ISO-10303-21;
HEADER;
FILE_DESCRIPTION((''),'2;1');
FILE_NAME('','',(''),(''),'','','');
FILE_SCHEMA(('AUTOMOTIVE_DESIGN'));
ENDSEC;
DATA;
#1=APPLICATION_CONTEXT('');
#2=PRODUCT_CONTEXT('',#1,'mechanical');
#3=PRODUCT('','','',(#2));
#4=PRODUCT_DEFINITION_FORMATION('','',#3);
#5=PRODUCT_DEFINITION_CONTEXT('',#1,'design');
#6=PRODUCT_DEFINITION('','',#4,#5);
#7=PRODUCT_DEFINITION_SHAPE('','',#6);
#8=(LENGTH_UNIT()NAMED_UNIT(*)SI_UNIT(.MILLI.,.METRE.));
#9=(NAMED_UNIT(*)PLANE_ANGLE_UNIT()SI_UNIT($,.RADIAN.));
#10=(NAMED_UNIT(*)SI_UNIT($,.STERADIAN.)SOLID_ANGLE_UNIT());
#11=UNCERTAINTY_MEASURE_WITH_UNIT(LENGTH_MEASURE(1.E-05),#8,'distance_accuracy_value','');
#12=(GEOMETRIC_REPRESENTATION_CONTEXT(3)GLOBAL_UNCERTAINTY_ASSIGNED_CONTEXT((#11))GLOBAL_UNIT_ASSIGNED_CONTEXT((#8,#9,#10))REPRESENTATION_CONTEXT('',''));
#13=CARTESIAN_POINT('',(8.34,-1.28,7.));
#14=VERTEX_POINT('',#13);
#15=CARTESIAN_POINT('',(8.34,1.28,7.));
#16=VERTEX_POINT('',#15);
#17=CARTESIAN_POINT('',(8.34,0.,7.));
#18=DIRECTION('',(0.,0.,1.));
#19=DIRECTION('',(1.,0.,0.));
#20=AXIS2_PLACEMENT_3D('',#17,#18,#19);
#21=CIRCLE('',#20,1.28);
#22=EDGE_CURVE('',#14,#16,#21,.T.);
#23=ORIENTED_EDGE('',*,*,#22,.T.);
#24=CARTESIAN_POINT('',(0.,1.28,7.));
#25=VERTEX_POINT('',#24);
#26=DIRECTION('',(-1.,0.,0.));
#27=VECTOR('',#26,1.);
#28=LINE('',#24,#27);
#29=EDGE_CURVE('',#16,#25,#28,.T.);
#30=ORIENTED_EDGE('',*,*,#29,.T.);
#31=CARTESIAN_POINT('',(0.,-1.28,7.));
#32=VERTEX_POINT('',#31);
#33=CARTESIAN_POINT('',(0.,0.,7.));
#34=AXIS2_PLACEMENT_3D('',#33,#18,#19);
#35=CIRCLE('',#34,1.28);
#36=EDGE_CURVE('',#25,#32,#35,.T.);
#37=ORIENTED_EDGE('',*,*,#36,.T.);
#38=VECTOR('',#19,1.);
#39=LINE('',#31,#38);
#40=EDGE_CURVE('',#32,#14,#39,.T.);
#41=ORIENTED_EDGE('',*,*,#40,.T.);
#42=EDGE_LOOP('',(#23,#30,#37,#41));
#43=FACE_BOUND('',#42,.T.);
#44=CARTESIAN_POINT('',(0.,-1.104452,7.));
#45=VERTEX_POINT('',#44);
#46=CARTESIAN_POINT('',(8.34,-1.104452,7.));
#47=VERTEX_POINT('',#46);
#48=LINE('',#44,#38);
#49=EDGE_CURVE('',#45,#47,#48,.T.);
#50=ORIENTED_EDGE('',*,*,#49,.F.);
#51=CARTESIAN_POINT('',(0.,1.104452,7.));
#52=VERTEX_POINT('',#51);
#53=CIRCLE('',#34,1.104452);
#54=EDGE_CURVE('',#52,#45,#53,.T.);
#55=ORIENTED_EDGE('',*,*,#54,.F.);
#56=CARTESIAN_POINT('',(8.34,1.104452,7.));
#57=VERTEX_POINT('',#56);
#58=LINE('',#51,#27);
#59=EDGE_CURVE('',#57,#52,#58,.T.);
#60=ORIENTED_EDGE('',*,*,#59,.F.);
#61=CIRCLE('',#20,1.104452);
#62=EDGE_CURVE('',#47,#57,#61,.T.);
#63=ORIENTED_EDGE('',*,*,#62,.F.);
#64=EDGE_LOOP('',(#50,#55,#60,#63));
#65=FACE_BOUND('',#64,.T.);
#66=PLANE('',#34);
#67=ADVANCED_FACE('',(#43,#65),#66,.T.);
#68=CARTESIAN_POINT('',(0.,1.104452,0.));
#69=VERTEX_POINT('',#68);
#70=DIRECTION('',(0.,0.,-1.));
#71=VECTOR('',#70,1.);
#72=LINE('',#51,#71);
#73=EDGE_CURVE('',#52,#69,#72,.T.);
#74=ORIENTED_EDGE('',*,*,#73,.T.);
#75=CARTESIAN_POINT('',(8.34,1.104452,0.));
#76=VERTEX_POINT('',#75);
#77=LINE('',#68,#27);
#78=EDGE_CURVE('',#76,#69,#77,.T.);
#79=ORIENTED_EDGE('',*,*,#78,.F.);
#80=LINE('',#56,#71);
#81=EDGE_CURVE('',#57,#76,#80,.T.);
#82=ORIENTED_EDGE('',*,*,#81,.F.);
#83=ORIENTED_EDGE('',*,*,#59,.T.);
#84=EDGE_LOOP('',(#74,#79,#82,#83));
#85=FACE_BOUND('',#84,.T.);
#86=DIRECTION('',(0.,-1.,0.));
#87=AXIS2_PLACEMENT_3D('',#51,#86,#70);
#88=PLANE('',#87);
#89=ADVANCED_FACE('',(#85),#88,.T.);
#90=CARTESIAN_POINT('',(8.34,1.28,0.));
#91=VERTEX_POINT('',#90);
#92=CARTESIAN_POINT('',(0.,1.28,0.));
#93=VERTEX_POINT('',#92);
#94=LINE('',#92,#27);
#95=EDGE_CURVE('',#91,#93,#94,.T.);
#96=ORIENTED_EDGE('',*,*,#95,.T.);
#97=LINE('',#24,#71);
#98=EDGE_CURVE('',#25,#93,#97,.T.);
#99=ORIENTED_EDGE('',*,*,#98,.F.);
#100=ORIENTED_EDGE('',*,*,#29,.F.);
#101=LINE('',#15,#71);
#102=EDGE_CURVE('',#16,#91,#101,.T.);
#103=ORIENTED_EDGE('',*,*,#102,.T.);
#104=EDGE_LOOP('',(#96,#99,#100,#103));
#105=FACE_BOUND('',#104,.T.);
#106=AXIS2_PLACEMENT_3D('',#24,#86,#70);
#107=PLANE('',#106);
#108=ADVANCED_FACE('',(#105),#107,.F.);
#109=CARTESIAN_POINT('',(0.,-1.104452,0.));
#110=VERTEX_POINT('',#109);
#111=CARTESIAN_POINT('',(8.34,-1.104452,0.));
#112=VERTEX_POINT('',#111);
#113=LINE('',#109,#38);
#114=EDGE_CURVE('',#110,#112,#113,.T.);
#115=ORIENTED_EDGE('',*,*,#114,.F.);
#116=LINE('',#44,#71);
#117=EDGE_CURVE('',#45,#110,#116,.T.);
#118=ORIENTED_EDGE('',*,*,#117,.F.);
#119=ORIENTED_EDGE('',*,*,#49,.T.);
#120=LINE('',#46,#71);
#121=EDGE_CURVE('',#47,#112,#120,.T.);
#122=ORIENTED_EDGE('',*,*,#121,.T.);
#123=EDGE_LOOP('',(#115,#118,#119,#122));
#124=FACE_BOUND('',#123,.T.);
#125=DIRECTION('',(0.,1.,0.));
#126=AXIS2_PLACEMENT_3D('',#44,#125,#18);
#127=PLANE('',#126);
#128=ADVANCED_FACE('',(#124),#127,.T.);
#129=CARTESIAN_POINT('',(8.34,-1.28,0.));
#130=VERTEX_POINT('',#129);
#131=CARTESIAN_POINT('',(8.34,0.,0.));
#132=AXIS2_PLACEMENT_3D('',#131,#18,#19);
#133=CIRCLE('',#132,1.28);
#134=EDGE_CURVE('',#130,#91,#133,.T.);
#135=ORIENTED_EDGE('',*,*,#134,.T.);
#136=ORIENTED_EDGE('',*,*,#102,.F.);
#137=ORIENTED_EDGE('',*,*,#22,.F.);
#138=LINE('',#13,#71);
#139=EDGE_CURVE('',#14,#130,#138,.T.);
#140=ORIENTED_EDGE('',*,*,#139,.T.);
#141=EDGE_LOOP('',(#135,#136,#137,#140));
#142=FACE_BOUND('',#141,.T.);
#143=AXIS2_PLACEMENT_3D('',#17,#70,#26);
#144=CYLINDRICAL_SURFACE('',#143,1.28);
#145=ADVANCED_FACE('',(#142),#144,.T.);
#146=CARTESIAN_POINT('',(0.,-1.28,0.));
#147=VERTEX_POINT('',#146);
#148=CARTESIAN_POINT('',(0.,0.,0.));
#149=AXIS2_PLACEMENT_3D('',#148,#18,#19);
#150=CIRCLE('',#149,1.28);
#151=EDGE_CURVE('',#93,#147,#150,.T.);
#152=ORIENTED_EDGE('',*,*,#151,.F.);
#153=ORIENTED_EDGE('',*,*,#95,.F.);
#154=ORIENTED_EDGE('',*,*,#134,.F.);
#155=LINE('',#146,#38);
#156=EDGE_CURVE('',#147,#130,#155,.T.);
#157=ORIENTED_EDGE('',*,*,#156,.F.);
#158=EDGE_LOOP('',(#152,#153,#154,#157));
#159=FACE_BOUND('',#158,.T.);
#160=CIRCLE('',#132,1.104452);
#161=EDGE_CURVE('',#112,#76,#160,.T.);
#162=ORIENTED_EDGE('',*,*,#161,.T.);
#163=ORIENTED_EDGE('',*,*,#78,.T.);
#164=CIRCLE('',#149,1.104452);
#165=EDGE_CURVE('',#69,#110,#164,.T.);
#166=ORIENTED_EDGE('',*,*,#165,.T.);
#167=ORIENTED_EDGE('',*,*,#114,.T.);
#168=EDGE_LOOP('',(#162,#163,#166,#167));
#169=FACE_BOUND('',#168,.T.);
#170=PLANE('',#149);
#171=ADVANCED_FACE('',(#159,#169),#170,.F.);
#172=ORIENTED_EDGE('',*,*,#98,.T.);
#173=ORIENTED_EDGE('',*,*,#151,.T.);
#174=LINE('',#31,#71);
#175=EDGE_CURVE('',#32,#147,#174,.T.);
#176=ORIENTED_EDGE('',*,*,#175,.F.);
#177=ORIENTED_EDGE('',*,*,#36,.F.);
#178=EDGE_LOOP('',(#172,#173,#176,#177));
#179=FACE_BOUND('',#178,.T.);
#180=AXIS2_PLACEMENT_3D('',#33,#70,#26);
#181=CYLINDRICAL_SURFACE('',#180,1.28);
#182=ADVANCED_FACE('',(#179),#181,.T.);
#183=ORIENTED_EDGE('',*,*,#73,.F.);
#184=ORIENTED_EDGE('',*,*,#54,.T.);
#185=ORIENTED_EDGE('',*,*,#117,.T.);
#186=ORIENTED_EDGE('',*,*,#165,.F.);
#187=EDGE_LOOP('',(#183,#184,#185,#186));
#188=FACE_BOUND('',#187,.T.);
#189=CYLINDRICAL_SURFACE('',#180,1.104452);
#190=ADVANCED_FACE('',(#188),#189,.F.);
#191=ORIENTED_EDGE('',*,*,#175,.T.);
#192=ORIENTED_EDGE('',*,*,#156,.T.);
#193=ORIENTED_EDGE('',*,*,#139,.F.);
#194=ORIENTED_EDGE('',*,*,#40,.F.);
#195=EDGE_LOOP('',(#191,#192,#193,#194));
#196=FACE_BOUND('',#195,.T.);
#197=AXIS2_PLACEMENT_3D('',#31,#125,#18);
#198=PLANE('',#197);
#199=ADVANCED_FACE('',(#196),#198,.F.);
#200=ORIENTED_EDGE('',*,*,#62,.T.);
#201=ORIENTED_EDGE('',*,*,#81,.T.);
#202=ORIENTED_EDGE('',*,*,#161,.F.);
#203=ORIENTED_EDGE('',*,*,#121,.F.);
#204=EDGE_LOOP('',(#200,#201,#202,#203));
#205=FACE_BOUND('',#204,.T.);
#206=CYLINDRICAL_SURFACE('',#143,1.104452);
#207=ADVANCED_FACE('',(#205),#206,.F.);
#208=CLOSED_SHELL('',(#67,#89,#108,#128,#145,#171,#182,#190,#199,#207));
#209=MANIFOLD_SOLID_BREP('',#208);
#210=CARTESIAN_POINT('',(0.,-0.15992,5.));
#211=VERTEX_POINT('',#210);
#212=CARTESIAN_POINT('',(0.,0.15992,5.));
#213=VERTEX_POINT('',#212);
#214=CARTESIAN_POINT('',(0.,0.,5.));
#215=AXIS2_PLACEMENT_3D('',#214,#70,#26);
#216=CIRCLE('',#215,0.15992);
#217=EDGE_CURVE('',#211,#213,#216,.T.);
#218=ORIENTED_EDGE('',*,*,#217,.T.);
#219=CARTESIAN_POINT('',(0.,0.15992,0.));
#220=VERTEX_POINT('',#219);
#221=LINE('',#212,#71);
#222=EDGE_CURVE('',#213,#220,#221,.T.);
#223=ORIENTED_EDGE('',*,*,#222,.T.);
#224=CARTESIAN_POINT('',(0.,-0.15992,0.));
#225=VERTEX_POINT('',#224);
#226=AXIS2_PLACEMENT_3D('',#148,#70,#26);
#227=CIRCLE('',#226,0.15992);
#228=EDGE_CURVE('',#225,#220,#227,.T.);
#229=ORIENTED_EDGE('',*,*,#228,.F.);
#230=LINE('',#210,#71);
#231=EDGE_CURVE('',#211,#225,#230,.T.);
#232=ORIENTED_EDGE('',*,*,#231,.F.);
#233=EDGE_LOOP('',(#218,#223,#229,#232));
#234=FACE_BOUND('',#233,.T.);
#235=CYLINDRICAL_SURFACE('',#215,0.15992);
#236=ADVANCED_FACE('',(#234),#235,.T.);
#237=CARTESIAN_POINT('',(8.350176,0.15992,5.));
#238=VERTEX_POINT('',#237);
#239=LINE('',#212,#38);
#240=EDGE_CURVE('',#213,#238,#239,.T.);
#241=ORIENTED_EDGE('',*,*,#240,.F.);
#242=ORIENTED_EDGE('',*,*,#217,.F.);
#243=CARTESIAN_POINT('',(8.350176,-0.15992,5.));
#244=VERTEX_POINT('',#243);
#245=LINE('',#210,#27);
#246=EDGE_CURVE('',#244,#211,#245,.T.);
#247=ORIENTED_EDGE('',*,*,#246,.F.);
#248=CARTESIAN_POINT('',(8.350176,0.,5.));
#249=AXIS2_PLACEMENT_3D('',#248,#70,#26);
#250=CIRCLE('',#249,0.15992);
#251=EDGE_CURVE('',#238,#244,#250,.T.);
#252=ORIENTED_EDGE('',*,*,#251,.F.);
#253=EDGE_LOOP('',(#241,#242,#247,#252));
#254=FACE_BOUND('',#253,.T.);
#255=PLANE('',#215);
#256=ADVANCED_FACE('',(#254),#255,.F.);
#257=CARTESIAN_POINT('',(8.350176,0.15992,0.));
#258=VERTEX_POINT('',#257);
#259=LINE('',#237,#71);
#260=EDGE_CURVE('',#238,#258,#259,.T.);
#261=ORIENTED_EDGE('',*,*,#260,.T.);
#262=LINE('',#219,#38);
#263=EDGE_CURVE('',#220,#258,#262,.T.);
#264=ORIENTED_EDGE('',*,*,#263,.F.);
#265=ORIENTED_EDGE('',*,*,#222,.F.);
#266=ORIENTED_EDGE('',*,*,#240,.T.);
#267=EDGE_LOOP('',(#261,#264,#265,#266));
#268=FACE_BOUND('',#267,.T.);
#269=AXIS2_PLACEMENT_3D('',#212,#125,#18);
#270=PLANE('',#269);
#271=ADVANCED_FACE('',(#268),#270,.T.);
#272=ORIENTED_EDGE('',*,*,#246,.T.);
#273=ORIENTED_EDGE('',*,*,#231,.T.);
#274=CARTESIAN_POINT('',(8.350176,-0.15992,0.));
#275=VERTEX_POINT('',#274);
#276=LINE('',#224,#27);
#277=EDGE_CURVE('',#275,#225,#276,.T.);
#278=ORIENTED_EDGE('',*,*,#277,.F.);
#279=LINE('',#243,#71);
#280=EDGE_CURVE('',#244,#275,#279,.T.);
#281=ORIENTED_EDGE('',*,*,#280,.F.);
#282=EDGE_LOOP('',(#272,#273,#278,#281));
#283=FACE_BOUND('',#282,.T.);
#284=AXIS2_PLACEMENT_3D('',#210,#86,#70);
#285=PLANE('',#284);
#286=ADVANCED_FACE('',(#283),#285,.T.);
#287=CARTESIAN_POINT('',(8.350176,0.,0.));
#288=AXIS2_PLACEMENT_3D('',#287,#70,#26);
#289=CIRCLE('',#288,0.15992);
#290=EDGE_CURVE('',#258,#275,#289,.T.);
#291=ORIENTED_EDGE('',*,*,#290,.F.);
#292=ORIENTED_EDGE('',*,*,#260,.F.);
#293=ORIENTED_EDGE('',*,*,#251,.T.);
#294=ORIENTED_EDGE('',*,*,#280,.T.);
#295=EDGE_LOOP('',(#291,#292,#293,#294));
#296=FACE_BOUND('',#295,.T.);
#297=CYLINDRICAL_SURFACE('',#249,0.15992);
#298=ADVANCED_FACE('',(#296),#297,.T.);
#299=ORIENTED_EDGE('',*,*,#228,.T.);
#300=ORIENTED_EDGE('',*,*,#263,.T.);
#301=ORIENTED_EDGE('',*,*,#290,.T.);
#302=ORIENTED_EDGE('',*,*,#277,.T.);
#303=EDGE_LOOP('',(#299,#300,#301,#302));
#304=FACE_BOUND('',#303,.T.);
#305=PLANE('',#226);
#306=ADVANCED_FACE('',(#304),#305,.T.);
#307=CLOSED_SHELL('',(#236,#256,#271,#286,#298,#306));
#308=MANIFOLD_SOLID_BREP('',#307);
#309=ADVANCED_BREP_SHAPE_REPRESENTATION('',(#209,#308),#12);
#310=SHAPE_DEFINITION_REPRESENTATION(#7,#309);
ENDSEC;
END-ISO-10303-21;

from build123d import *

# Parameters (mm, degrees)
BOSS_EXTRUDE1_DEPTH = 7
BOSS_EXTRUDE3_DEPTH = 5


with BuildPart() as part:
    # Sketch1 → Boss-Extrude1 (new body)
    with BuildSketch(Plane.XY):
        with BuildLine():
            Line((0, 1.28), (8.34, 1.28))
            ThreePointArc((8.34, 1.28), (9.62, 0), (8.34, -1.28))
            Line((8.34, -1.28), (0, -1.28))
            ThreePointArc((0, -1.28), (-1.28, 0), (0, 1.28))
        make_face()
        with BuildLine():
            Line((0, 1.1044516), (8.34, 1.1044516))
            ThreePointArc((8.34, 1.1044516), (9.4444516, 0), (8.34, -1.1044516))
            Line((8.34, -1.1044516), (0, -1.1044516))
            ThreePointArc((0, -1.1044516), (-1.1044516, 0), (0, 1.1044516))
        make_face(mode=Mode.SUBTRACT)
    extrude(amount=BOSS_EXTRUDE1_DEPTH)


with BuildPart() as body_2:
    # Sketch2 → Boss-Extrude3 (new body)
    with BuildSketch(Plane(origin=(0, 0, 0), x_dir=(-1, 0, 0), z_dir=(0, 0, -1))):
        with BuildLine():
            Line((0, -0.159919522), (-8.350175881, -0.159919522))
            ThreePointArc((-8.350175881, -0.159919522), (-8.510095402, 0), (-8.350175881, 0.159919522))
            Line((-8.350175881, 0.159919522), (0, 0.159919522))
            ThreePointArc((0, 0.159919522), (0.159919522, 0), (0, -0.159919522))
        make_face()
    extrude(amount=-BOSS_EXTRUDE3_DEPTH)


solid = Compound([part.part, body_2.part])
